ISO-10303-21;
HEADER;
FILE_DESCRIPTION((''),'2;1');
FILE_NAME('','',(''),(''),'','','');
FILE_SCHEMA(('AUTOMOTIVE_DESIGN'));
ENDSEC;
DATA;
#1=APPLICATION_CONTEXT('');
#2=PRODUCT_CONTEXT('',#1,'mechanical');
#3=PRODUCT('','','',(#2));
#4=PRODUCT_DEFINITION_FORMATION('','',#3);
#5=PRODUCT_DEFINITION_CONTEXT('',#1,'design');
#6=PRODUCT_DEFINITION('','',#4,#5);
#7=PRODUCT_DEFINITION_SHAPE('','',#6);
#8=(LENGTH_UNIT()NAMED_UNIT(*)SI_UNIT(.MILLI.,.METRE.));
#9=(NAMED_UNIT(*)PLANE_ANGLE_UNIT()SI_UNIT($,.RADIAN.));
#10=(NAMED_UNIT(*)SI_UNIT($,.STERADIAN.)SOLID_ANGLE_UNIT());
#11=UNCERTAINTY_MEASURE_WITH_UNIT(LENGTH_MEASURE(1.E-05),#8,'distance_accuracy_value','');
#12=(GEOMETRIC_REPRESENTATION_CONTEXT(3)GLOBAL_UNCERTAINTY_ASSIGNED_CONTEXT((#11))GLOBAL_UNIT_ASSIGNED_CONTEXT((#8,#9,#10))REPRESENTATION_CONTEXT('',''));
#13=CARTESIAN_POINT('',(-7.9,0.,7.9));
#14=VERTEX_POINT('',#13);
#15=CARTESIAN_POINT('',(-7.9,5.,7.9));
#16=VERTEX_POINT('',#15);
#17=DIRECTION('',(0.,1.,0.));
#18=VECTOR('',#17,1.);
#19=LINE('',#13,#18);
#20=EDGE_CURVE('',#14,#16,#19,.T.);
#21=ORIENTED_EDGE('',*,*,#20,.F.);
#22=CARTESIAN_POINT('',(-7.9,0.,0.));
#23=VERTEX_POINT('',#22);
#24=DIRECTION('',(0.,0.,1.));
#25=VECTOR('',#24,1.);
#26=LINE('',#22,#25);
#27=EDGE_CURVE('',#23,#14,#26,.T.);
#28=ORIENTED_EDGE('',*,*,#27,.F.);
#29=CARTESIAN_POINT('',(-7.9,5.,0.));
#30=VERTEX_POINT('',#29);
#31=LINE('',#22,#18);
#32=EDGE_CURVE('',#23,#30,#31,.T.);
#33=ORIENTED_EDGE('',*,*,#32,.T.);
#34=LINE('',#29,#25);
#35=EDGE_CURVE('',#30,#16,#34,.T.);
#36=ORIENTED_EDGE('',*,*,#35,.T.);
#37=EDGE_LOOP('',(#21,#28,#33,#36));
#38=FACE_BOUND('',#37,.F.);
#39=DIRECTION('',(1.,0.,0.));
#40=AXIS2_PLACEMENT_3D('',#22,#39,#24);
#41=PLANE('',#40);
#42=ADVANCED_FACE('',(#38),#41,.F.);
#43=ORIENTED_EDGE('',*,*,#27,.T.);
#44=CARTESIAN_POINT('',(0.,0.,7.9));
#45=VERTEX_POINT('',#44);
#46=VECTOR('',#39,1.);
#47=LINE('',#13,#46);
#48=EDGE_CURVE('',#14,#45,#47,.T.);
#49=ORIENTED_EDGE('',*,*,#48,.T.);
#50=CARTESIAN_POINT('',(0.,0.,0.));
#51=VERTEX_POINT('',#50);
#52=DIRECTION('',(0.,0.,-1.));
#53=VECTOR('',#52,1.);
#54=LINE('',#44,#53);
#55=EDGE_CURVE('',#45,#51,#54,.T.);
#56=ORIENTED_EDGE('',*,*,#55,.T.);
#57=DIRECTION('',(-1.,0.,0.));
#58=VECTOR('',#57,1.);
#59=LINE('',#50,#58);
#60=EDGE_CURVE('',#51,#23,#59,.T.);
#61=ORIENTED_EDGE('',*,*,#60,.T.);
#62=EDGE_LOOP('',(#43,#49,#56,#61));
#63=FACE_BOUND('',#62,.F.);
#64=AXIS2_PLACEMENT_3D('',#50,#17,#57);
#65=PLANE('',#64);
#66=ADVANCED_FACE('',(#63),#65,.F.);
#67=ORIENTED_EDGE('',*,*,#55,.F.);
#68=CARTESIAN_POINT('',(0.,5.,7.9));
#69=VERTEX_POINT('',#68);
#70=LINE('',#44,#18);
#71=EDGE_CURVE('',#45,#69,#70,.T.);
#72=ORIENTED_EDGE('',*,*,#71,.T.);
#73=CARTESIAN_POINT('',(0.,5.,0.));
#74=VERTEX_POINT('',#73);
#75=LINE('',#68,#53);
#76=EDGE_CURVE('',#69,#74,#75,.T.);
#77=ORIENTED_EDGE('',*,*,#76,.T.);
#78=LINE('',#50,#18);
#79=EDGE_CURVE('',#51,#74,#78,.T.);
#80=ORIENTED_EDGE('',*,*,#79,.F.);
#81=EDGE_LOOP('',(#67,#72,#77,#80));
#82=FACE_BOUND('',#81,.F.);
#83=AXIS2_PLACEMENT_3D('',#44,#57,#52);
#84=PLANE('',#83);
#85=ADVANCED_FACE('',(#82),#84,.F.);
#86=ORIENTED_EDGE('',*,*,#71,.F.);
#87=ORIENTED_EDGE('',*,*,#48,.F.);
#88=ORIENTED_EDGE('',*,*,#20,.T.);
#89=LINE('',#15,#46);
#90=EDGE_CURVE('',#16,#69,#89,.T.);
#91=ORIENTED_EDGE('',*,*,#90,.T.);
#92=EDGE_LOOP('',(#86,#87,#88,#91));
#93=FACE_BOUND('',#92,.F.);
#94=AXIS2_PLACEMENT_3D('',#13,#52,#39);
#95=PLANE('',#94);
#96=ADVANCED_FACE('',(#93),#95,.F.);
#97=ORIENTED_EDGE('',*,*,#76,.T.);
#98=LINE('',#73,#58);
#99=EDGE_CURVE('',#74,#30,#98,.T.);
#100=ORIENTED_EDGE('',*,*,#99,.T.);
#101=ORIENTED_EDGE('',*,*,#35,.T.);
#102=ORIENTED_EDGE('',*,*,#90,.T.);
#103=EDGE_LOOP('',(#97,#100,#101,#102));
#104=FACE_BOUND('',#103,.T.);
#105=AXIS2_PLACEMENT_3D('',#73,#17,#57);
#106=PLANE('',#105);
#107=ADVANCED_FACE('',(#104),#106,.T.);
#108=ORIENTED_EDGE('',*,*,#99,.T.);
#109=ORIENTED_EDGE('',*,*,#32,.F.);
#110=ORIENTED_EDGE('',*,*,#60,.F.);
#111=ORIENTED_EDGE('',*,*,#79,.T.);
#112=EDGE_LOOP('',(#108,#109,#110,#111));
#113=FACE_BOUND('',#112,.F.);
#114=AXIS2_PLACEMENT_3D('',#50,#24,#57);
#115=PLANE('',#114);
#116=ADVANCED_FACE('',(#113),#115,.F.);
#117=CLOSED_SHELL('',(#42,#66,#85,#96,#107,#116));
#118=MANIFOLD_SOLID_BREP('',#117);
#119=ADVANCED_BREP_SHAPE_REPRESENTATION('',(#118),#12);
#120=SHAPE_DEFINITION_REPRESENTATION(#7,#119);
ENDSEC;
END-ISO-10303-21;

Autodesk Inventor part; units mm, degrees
ref_plane "YZ Plane" through (0, 0, 0) normal (1, 0, 0) x (0, 1, 0)
ref_plane "XZ Plane" through (0, 0, 0) normal (0, 1, 0) x (-1, 0, 0)
ref_plane "XY Plane" through (0, 0, 0) normal (0, 0, 1) x (1, 0, 0)
sketch "Skizze1" plane through (0, 0, 0) normal (0, 1, 0) x (-1, 0, 0)
  line L0 (0, 0) -> (7.9, 0)
  line L1 (7.9, 0) -> (7.9, 7.9)
  line L2 (7.9, 7.9) -> (0, 7.9)
  line L3 (0, 7.9) -> (0, 0)
  dimension "d0" = 7.9
  dimension "d1" = 7.9
extrude "Extrusion1" add sketch "Skizze1" along normal blind 5
ref_plane "Arbeitsebene1" through (-3.95, 5, 7.9) normal (1, 0, 0) x (0, 0, -1)
properties part number "camera"
